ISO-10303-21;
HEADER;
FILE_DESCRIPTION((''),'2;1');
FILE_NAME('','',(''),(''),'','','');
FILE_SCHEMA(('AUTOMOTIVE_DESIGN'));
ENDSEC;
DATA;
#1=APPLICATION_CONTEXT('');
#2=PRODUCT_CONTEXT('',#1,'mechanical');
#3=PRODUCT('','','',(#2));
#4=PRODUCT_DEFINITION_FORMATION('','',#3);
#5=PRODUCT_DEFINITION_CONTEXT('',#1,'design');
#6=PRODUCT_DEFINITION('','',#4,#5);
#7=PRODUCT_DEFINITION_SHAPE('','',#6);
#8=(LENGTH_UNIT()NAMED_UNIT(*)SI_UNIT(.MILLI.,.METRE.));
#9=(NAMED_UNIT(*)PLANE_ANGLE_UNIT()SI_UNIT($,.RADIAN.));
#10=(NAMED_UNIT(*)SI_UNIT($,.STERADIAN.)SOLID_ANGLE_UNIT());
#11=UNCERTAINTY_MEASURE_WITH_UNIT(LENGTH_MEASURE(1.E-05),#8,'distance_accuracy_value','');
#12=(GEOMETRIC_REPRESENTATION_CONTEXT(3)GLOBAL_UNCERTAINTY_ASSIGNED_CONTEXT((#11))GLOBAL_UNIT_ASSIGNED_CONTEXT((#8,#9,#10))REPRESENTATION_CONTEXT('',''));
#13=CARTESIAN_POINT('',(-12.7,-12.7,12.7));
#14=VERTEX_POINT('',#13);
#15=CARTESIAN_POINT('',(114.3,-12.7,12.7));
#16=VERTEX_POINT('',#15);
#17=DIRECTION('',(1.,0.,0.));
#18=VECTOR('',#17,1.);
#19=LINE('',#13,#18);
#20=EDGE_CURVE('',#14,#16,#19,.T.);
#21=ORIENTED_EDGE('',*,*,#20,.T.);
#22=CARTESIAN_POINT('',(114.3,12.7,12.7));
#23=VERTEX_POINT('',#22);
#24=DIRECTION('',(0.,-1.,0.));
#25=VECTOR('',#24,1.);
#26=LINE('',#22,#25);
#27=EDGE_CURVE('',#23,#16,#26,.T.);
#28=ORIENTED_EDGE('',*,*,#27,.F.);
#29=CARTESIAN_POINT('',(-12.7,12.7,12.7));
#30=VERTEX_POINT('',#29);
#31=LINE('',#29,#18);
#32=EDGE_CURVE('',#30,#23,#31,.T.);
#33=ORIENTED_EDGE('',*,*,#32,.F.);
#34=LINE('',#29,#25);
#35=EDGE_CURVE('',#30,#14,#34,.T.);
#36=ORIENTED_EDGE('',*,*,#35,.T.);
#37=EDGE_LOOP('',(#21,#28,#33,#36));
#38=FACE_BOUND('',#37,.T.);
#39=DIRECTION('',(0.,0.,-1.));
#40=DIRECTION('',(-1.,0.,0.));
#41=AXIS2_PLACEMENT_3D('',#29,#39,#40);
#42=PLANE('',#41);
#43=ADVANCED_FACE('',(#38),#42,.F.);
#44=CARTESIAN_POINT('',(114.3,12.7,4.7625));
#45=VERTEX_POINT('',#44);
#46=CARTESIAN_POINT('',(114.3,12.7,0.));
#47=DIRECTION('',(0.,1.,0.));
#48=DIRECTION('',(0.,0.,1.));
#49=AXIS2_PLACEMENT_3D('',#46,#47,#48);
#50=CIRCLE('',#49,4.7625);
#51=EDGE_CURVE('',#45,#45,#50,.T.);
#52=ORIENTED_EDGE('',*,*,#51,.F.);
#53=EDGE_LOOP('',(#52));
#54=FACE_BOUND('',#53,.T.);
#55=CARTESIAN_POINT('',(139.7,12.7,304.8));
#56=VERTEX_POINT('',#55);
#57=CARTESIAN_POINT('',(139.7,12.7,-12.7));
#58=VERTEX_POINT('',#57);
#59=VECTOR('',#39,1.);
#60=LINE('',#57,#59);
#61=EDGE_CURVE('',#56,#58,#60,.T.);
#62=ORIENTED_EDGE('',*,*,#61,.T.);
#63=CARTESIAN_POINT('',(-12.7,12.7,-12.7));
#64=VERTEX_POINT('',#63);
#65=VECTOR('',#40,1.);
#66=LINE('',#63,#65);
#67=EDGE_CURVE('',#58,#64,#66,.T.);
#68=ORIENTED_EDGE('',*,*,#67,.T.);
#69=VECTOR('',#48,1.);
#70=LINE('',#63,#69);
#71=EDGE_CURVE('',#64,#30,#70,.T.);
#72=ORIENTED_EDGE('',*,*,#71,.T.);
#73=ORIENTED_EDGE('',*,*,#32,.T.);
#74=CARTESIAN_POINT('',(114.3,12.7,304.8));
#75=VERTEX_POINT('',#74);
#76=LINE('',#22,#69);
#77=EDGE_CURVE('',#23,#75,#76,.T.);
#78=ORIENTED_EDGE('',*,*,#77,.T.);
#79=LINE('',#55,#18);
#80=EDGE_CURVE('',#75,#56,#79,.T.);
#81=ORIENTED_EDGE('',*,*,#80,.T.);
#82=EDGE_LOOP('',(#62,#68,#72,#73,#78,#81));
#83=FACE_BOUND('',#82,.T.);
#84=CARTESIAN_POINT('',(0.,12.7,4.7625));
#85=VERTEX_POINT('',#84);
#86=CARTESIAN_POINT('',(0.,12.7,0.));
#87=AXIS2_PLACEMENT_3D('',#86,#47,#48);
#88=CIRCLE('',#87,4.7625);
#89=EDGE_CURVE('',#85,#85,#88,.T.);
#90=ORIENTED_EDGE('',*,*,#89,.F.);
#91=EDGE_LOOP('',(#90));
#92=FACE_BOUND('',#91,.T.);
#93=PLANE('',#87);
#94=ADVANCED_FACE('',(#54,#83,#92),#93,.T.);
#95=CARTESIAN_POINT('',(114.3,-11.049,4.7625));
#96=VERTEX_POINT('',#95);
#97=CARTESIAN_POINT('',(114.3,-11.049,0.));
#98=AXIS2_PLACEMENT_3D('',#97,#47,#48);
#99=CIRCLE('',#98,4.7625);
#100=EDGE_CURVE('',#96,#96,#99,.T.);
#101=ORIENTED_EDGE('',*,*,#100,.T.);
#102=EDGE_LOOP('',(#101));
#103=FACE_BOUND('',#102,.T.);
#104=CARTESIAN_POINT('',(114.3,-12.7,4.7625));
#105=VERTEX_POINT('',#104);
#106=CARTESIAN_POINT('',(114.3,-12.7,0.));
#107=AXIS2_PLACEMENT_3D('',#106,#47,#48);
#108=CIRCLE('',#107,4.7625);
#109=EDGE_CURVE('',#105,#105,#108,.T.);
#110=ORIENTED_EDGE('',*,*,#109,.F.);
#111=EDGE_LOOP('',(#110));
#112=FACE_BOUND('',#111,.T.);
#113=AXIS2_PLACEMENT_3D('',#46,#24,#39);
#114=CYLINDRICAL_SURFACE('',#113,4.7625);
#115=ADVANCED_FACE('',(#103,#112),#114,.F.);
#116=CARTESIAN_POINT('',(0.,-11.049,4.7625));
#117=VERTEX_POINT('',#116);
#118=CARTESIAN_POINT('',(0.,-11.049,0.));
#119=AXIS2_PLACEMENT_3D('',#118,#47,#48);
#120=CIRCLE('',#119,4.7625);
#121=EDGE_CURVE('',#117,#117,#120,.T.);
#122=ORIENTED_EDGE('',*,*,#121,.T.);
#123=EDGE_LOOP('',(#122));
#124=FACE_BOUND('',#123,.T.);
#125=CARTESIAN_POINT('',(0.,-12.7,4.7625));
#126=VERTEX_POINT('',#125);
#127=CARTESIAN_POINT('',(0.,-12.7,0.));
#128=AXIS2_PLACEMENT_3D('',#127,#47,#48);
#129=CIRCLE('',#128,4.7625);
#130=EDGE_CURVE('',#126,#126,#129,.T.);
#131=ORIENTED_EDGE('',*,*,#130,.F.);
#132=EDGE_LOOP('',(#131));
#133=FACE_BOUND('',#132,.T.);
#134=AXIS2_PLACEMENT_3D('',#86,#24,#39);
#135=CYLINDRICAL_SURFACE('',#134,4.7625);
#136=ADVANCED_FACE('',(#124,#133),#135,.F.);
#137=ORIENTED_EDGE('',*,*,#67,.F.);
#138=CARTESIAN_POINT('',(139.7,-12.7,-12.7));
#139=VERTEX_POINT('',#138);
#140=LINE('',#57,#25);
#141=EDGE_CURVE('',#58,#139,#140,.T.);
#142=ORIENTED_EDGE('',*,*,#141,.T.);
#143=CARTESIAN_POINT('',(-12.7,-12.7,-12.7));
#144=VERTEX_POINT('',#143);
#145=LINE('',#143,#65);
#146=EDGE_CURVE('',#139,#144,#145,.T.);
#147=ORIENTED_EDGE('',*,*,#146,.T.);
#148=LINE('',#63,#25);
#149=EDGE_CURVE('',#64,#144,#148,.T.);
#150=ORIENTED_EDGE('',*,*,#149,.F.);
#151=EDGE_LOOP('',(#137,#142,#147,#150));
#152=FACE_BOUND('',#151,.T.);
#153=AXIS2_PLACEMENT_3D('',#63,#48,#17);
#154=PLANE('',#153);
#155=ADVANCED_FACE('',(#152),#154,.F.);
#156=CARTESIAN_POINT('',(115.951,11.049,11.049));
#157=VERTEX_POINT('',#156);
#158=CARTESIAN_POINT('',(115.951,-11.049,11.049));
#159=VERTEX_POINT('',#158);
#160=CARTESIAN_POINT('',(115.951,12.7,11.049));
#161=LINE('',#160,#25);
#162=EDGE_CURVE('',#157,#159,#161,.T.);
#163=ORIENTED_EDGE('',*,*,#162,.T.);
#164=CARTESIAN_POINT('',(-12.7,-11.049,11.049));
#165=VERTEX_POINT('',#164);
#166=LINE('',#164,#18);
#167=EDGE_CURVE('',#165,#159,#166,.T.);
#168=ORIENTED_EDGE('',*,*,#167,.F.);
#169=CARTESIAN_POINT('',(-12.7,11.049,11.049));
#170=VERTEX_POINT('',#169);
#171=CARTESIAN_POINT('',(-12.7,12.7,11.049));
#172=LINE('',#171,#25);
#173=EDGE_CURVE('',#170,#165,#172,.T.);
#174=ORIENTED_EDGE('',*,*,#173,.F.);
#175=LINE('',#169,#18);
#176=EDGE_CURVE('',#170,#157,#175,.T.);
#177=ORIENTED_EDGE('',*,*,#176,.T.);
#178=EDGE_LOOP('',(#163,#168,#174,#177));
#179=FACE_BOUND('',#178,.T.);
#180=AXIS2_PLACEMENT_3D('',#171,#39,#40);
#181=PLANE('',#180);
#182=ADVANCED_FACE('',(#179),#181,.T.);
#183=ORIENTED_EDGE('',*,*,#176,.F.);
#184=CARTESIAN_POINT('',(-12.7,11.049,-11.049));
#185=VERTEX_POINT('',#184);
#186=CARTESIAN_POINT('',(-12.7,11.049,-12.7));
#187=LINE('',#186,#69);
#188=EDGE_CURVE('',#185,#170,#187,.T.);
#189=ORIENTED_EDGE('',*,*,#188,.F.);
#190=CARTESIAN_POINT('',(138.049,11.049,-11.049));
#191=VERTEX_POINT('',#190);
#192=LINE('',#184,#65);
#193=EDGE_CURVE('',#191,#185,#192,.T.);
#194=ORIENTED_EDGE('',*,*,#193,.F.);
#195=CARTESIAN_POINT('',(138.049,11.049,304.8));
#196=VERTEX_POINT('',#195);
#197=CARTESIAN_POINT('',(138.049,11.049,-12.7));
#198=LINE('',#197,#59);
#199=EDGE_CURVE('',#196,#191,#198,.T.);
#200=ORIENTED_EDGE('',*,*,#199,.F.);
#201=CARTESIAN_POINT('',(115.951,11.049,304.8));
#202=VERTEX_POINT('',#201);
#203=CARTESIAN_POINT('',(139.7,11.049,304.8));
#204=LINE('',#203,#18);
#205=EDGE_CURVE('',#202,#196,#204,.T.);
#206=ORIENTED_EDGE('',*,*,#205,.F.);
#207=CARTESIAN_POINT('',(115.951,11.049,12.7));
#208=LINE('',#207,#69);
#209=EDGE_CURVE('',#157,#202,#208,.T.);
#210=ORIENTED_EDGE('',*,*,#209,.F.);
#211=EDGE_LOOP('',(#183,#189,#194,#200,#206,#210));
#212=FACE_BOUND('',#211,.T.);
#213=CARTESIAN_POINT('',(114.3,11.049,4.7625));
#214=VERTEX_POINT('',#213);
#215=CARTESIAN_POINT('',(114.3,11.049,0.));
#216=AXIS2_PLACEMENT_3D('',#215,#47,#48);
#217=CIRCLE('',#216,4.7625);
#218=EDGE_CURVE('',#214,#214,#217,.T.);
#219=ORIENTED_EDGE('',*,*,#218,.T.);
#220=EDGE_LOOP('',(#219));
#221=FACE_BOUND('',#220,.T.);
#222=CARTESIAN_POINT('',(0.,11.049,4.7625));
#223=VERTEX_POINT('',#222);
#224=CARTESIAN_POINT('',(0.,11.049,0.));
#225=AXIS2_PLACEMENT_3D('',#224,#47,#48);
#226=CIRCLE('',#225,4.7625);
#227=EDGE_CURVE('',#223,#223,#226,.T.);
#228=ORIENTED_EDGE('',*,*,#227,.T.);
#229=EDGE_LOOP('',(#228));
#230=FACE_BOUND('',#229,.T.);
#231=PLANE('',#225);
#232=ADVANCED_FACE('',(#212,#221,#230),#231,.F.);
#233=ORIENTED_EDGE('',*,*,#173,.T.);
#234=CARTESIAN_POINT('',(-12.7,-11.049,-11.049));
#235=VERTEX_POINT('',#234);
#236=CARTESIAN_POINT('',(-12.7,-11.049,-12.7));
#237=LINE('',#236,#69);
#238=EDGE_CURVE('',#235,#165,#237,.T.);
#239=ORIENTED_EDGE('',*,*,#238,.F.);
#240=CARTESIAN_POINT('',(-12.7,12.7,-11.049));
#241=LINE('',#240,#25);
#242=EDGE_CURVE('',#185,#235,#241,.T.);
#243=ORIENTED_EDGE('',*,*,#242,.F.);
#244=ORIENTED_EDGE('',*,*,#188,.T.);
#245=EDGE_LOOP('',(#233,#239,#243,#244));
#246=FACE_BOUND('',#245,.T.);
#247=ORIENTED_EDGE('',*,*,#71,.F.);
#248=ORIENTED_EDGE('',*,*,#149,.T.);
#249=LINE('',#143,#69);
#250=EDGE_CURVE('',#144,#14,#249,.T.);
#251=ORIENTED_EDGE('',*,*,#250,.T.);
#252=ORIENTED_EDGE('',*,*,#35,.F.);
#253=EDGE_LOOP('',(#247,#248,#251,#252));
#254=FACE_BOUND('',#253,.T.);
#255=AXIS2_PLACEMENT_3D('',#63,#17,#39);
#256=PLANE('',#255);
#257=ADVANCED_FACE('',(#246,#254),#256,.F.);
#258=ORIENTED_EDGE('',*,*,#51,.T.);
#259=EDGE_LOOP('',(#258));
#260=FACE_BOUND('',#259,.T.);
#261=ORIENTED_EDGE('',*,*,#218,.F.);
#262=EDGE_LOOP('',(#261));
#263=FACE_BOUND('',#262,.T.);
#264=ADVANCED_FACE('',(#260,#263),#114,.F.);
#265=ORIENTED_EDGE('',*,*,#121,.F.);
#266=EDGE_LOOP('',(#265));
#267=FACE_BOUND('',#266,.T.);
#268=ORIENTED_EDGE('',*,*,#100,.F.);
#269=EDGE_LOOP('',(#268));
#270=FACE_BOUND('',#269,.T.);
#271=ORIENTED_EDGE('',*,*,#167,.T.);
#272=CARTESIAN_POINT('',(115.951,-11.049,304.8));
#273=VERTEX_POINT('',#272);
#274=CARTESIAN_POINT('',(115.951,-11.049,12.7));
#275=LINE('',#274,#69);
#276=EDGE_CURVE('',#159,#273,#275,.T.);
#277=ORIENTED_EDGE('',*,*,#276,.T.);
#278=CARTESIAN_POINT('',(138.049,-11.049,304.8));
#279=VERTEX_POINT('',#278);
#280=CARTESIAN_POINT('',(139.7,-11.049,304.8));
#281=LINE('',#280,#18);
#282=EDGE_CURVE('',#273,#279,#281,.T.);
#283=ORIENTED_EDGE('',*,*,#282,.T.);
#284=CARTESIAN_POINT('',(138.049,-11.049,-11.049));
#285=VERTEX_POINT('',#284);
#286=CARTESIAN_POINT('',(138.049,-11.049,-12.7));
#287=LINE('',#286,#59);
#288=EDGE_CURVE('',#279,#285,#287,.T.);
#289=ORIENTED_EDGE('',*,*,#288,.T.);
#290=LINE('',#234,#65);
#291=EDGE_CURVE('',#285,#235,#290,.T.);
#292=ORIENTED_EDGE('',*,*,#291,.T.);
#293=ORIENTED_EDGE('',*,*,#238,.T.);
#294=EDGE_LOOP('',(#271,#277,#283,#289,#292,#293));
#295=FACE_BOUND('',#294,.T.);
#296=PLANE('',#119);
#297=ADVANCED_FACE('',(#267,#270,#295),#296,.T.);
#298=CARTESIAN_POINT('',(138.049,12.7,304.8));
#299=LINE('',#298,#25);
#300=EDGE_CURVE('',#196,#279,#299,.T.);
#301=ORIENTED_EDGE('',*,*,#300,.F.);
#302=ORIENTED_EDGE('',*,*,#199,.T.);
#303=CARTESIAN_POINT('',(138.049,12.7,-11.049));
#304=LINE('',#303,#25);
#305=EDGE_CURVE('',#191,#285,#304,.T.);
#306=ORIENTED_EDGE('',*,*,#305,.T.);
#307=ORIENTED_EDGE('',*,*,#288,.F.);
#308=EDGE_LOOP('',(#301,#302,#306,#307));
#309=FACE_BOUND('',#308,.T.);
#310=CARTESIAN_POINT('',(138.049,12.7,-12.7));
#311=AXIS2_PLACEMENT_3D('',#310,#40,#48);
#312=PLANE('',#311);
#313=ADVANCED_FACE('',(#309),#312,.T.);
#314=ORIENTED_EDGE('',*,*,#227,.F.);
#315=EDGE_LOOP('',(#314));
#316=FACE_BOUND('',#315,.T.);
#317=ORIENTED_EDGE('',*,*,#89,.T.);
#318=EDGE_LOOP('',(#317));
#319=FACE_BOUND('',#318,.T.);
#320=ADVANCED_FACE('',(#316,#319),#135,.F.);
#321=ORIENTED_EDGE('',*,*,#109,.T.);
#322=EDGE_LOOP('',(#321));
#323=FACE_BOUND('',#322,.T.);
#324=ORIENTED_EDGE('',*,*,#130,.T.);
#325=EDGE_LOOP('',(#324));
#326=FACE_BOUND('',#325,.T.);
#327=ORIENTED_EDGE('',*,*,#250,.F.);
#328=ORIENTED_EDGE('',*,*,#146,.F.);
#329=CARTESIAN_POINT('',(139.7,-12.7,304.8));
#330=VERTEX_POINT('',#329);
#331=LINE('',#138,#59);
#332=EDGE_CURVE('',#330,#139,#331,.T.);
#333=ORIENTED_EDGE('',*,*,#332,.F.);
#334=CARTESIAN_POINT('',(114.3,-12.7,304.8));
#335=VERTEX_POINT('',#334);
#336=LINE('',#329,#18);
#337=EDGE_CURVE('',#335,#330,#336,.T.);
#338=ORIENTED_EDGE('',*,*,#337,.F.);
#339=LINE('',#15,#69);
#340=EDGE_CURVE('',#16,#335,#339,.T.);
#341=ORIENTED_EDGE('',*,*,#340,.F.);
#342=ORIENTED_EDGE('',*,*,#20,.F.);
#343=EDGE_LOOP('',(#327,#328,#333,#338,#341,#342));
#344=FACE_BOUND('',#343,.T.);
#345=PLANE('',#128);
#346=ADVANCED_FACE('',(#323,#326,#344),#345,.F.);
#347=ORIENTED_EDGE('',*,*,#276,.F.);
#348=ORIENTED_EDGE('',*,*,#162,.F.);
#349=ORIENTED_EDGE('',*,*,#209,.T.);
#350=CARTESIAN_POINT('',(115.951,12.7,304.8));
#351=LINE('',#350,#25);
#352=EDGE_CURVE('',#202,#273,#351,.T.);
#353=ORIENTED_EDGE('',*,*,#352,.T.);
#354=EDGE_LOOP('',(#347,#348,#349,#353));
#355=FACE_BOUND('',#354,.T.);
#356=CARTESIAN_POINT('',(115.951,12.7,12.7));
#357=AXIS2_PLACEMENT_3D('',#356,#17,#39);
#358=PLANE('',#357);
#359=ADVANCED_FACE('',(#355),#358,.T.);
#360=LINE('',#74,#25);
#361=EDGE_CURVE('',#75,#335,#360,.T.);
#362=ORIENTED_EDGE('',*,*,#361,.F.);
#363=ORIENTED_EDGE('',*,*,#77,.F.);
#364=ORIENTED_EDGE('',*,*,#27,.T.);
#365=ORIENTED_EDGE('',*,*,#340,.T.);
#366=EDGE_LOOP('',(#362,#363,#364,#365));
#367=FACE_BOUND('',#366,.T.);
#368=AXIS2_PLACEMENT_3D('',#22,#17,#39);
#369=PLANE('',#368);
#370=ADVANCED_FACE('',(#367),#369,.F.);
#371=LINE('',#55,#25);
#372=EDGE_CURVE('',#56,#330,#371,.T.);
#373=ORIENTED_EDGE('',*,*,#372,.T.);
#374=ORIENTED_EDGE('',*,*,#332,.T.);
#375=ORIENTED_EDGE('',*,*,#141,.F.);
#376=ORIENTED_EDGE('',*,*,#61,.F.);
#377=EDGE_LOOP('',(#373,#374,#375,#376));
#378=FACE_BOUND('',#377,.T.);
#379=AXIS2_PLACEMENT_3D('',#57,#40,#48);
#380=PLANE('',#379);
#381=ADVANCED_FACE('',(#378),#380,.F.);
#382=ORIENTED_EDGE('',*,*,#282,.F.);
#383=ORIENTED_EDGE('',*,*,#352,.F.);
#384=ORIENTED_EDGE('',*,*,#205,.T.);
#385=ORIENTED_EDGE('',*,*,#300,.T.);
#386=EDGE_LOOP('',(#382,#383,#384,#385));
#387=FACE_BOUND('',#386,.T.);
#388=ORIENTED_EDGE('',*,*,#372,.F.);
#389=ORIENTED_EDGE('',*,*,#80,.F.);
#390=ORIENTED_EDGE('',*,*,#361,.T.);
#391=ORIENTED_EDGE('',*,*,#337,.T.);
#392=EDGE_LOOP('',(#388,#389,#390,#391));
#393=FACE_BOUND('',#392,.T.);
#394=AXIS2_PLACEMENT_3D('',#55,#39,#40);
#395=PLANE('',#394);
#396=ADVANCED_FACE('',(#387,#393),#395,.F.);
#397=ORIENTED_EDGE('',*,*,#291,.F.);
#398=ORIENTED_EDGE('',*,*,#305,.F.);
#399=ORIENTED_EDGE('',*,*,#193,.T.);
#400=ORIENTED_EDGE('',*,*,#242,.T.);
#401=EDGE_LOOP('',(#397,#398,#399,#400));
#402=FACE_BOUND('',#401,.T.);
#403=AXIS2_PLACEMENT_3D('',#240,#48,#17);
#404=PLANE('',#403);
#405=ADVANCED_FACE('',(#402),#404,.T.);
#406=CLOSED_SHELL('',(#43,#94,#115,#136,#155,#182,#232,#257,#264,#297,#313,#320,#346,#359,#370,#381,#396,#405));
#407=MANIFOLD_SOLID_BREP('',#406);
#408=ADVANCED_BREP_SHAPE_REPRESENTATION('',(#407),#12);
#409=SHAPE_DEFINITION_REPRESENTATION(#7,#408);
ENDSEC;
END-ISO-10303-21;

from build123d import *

# Parameters (mm, degrees)
SKETCH1_R           = 4.7625
BOSS_EXTRUDE1_DEPTH = 12.7
SHELL1_T            = -1.651


with BuildPart() as part:
    # Sketch1 → Boss-Extrude1 (new, symmetric)
    with BuildSketch(Plane(origin=(0, 0, 0), x_dir=(1, 0, 0), z_dir=(0, 1, 0))):
        Polygon((-12.7, 12.7), (139.7, 12.7), (139.7, -304.8), (114.3, -304.8), (114.3, -12.7), (-12.7, -12.7), align=None)
        with Locations(Location((0, 0, 0), (0, 0, 270))):
            Circle(SKETCH1_R, mode=Mode.SUBTRACT)
        with Locations(Location((114.3, 0, 0), (0, 0, 270))):
            Circle(SKETCH1_R, mode=Mode.SUBTRACT)
    extrude(amount=BOSS_EXTRUDE1_DEPTH, both=True)

    # Shell1
    shell1_openings = [part.faces().sort_by_distance(p)[0] for p in [
        (127, 0, 304.8),
        (-12.7, 0, 0),
        (0, 0, -4.7625),
        (114.3, 0, -4.7625),
    ]]
    offset(amount=SHELL1_T, openings=shell1_openings, kind=Kind.INTERSECTION)


solid = part.part
